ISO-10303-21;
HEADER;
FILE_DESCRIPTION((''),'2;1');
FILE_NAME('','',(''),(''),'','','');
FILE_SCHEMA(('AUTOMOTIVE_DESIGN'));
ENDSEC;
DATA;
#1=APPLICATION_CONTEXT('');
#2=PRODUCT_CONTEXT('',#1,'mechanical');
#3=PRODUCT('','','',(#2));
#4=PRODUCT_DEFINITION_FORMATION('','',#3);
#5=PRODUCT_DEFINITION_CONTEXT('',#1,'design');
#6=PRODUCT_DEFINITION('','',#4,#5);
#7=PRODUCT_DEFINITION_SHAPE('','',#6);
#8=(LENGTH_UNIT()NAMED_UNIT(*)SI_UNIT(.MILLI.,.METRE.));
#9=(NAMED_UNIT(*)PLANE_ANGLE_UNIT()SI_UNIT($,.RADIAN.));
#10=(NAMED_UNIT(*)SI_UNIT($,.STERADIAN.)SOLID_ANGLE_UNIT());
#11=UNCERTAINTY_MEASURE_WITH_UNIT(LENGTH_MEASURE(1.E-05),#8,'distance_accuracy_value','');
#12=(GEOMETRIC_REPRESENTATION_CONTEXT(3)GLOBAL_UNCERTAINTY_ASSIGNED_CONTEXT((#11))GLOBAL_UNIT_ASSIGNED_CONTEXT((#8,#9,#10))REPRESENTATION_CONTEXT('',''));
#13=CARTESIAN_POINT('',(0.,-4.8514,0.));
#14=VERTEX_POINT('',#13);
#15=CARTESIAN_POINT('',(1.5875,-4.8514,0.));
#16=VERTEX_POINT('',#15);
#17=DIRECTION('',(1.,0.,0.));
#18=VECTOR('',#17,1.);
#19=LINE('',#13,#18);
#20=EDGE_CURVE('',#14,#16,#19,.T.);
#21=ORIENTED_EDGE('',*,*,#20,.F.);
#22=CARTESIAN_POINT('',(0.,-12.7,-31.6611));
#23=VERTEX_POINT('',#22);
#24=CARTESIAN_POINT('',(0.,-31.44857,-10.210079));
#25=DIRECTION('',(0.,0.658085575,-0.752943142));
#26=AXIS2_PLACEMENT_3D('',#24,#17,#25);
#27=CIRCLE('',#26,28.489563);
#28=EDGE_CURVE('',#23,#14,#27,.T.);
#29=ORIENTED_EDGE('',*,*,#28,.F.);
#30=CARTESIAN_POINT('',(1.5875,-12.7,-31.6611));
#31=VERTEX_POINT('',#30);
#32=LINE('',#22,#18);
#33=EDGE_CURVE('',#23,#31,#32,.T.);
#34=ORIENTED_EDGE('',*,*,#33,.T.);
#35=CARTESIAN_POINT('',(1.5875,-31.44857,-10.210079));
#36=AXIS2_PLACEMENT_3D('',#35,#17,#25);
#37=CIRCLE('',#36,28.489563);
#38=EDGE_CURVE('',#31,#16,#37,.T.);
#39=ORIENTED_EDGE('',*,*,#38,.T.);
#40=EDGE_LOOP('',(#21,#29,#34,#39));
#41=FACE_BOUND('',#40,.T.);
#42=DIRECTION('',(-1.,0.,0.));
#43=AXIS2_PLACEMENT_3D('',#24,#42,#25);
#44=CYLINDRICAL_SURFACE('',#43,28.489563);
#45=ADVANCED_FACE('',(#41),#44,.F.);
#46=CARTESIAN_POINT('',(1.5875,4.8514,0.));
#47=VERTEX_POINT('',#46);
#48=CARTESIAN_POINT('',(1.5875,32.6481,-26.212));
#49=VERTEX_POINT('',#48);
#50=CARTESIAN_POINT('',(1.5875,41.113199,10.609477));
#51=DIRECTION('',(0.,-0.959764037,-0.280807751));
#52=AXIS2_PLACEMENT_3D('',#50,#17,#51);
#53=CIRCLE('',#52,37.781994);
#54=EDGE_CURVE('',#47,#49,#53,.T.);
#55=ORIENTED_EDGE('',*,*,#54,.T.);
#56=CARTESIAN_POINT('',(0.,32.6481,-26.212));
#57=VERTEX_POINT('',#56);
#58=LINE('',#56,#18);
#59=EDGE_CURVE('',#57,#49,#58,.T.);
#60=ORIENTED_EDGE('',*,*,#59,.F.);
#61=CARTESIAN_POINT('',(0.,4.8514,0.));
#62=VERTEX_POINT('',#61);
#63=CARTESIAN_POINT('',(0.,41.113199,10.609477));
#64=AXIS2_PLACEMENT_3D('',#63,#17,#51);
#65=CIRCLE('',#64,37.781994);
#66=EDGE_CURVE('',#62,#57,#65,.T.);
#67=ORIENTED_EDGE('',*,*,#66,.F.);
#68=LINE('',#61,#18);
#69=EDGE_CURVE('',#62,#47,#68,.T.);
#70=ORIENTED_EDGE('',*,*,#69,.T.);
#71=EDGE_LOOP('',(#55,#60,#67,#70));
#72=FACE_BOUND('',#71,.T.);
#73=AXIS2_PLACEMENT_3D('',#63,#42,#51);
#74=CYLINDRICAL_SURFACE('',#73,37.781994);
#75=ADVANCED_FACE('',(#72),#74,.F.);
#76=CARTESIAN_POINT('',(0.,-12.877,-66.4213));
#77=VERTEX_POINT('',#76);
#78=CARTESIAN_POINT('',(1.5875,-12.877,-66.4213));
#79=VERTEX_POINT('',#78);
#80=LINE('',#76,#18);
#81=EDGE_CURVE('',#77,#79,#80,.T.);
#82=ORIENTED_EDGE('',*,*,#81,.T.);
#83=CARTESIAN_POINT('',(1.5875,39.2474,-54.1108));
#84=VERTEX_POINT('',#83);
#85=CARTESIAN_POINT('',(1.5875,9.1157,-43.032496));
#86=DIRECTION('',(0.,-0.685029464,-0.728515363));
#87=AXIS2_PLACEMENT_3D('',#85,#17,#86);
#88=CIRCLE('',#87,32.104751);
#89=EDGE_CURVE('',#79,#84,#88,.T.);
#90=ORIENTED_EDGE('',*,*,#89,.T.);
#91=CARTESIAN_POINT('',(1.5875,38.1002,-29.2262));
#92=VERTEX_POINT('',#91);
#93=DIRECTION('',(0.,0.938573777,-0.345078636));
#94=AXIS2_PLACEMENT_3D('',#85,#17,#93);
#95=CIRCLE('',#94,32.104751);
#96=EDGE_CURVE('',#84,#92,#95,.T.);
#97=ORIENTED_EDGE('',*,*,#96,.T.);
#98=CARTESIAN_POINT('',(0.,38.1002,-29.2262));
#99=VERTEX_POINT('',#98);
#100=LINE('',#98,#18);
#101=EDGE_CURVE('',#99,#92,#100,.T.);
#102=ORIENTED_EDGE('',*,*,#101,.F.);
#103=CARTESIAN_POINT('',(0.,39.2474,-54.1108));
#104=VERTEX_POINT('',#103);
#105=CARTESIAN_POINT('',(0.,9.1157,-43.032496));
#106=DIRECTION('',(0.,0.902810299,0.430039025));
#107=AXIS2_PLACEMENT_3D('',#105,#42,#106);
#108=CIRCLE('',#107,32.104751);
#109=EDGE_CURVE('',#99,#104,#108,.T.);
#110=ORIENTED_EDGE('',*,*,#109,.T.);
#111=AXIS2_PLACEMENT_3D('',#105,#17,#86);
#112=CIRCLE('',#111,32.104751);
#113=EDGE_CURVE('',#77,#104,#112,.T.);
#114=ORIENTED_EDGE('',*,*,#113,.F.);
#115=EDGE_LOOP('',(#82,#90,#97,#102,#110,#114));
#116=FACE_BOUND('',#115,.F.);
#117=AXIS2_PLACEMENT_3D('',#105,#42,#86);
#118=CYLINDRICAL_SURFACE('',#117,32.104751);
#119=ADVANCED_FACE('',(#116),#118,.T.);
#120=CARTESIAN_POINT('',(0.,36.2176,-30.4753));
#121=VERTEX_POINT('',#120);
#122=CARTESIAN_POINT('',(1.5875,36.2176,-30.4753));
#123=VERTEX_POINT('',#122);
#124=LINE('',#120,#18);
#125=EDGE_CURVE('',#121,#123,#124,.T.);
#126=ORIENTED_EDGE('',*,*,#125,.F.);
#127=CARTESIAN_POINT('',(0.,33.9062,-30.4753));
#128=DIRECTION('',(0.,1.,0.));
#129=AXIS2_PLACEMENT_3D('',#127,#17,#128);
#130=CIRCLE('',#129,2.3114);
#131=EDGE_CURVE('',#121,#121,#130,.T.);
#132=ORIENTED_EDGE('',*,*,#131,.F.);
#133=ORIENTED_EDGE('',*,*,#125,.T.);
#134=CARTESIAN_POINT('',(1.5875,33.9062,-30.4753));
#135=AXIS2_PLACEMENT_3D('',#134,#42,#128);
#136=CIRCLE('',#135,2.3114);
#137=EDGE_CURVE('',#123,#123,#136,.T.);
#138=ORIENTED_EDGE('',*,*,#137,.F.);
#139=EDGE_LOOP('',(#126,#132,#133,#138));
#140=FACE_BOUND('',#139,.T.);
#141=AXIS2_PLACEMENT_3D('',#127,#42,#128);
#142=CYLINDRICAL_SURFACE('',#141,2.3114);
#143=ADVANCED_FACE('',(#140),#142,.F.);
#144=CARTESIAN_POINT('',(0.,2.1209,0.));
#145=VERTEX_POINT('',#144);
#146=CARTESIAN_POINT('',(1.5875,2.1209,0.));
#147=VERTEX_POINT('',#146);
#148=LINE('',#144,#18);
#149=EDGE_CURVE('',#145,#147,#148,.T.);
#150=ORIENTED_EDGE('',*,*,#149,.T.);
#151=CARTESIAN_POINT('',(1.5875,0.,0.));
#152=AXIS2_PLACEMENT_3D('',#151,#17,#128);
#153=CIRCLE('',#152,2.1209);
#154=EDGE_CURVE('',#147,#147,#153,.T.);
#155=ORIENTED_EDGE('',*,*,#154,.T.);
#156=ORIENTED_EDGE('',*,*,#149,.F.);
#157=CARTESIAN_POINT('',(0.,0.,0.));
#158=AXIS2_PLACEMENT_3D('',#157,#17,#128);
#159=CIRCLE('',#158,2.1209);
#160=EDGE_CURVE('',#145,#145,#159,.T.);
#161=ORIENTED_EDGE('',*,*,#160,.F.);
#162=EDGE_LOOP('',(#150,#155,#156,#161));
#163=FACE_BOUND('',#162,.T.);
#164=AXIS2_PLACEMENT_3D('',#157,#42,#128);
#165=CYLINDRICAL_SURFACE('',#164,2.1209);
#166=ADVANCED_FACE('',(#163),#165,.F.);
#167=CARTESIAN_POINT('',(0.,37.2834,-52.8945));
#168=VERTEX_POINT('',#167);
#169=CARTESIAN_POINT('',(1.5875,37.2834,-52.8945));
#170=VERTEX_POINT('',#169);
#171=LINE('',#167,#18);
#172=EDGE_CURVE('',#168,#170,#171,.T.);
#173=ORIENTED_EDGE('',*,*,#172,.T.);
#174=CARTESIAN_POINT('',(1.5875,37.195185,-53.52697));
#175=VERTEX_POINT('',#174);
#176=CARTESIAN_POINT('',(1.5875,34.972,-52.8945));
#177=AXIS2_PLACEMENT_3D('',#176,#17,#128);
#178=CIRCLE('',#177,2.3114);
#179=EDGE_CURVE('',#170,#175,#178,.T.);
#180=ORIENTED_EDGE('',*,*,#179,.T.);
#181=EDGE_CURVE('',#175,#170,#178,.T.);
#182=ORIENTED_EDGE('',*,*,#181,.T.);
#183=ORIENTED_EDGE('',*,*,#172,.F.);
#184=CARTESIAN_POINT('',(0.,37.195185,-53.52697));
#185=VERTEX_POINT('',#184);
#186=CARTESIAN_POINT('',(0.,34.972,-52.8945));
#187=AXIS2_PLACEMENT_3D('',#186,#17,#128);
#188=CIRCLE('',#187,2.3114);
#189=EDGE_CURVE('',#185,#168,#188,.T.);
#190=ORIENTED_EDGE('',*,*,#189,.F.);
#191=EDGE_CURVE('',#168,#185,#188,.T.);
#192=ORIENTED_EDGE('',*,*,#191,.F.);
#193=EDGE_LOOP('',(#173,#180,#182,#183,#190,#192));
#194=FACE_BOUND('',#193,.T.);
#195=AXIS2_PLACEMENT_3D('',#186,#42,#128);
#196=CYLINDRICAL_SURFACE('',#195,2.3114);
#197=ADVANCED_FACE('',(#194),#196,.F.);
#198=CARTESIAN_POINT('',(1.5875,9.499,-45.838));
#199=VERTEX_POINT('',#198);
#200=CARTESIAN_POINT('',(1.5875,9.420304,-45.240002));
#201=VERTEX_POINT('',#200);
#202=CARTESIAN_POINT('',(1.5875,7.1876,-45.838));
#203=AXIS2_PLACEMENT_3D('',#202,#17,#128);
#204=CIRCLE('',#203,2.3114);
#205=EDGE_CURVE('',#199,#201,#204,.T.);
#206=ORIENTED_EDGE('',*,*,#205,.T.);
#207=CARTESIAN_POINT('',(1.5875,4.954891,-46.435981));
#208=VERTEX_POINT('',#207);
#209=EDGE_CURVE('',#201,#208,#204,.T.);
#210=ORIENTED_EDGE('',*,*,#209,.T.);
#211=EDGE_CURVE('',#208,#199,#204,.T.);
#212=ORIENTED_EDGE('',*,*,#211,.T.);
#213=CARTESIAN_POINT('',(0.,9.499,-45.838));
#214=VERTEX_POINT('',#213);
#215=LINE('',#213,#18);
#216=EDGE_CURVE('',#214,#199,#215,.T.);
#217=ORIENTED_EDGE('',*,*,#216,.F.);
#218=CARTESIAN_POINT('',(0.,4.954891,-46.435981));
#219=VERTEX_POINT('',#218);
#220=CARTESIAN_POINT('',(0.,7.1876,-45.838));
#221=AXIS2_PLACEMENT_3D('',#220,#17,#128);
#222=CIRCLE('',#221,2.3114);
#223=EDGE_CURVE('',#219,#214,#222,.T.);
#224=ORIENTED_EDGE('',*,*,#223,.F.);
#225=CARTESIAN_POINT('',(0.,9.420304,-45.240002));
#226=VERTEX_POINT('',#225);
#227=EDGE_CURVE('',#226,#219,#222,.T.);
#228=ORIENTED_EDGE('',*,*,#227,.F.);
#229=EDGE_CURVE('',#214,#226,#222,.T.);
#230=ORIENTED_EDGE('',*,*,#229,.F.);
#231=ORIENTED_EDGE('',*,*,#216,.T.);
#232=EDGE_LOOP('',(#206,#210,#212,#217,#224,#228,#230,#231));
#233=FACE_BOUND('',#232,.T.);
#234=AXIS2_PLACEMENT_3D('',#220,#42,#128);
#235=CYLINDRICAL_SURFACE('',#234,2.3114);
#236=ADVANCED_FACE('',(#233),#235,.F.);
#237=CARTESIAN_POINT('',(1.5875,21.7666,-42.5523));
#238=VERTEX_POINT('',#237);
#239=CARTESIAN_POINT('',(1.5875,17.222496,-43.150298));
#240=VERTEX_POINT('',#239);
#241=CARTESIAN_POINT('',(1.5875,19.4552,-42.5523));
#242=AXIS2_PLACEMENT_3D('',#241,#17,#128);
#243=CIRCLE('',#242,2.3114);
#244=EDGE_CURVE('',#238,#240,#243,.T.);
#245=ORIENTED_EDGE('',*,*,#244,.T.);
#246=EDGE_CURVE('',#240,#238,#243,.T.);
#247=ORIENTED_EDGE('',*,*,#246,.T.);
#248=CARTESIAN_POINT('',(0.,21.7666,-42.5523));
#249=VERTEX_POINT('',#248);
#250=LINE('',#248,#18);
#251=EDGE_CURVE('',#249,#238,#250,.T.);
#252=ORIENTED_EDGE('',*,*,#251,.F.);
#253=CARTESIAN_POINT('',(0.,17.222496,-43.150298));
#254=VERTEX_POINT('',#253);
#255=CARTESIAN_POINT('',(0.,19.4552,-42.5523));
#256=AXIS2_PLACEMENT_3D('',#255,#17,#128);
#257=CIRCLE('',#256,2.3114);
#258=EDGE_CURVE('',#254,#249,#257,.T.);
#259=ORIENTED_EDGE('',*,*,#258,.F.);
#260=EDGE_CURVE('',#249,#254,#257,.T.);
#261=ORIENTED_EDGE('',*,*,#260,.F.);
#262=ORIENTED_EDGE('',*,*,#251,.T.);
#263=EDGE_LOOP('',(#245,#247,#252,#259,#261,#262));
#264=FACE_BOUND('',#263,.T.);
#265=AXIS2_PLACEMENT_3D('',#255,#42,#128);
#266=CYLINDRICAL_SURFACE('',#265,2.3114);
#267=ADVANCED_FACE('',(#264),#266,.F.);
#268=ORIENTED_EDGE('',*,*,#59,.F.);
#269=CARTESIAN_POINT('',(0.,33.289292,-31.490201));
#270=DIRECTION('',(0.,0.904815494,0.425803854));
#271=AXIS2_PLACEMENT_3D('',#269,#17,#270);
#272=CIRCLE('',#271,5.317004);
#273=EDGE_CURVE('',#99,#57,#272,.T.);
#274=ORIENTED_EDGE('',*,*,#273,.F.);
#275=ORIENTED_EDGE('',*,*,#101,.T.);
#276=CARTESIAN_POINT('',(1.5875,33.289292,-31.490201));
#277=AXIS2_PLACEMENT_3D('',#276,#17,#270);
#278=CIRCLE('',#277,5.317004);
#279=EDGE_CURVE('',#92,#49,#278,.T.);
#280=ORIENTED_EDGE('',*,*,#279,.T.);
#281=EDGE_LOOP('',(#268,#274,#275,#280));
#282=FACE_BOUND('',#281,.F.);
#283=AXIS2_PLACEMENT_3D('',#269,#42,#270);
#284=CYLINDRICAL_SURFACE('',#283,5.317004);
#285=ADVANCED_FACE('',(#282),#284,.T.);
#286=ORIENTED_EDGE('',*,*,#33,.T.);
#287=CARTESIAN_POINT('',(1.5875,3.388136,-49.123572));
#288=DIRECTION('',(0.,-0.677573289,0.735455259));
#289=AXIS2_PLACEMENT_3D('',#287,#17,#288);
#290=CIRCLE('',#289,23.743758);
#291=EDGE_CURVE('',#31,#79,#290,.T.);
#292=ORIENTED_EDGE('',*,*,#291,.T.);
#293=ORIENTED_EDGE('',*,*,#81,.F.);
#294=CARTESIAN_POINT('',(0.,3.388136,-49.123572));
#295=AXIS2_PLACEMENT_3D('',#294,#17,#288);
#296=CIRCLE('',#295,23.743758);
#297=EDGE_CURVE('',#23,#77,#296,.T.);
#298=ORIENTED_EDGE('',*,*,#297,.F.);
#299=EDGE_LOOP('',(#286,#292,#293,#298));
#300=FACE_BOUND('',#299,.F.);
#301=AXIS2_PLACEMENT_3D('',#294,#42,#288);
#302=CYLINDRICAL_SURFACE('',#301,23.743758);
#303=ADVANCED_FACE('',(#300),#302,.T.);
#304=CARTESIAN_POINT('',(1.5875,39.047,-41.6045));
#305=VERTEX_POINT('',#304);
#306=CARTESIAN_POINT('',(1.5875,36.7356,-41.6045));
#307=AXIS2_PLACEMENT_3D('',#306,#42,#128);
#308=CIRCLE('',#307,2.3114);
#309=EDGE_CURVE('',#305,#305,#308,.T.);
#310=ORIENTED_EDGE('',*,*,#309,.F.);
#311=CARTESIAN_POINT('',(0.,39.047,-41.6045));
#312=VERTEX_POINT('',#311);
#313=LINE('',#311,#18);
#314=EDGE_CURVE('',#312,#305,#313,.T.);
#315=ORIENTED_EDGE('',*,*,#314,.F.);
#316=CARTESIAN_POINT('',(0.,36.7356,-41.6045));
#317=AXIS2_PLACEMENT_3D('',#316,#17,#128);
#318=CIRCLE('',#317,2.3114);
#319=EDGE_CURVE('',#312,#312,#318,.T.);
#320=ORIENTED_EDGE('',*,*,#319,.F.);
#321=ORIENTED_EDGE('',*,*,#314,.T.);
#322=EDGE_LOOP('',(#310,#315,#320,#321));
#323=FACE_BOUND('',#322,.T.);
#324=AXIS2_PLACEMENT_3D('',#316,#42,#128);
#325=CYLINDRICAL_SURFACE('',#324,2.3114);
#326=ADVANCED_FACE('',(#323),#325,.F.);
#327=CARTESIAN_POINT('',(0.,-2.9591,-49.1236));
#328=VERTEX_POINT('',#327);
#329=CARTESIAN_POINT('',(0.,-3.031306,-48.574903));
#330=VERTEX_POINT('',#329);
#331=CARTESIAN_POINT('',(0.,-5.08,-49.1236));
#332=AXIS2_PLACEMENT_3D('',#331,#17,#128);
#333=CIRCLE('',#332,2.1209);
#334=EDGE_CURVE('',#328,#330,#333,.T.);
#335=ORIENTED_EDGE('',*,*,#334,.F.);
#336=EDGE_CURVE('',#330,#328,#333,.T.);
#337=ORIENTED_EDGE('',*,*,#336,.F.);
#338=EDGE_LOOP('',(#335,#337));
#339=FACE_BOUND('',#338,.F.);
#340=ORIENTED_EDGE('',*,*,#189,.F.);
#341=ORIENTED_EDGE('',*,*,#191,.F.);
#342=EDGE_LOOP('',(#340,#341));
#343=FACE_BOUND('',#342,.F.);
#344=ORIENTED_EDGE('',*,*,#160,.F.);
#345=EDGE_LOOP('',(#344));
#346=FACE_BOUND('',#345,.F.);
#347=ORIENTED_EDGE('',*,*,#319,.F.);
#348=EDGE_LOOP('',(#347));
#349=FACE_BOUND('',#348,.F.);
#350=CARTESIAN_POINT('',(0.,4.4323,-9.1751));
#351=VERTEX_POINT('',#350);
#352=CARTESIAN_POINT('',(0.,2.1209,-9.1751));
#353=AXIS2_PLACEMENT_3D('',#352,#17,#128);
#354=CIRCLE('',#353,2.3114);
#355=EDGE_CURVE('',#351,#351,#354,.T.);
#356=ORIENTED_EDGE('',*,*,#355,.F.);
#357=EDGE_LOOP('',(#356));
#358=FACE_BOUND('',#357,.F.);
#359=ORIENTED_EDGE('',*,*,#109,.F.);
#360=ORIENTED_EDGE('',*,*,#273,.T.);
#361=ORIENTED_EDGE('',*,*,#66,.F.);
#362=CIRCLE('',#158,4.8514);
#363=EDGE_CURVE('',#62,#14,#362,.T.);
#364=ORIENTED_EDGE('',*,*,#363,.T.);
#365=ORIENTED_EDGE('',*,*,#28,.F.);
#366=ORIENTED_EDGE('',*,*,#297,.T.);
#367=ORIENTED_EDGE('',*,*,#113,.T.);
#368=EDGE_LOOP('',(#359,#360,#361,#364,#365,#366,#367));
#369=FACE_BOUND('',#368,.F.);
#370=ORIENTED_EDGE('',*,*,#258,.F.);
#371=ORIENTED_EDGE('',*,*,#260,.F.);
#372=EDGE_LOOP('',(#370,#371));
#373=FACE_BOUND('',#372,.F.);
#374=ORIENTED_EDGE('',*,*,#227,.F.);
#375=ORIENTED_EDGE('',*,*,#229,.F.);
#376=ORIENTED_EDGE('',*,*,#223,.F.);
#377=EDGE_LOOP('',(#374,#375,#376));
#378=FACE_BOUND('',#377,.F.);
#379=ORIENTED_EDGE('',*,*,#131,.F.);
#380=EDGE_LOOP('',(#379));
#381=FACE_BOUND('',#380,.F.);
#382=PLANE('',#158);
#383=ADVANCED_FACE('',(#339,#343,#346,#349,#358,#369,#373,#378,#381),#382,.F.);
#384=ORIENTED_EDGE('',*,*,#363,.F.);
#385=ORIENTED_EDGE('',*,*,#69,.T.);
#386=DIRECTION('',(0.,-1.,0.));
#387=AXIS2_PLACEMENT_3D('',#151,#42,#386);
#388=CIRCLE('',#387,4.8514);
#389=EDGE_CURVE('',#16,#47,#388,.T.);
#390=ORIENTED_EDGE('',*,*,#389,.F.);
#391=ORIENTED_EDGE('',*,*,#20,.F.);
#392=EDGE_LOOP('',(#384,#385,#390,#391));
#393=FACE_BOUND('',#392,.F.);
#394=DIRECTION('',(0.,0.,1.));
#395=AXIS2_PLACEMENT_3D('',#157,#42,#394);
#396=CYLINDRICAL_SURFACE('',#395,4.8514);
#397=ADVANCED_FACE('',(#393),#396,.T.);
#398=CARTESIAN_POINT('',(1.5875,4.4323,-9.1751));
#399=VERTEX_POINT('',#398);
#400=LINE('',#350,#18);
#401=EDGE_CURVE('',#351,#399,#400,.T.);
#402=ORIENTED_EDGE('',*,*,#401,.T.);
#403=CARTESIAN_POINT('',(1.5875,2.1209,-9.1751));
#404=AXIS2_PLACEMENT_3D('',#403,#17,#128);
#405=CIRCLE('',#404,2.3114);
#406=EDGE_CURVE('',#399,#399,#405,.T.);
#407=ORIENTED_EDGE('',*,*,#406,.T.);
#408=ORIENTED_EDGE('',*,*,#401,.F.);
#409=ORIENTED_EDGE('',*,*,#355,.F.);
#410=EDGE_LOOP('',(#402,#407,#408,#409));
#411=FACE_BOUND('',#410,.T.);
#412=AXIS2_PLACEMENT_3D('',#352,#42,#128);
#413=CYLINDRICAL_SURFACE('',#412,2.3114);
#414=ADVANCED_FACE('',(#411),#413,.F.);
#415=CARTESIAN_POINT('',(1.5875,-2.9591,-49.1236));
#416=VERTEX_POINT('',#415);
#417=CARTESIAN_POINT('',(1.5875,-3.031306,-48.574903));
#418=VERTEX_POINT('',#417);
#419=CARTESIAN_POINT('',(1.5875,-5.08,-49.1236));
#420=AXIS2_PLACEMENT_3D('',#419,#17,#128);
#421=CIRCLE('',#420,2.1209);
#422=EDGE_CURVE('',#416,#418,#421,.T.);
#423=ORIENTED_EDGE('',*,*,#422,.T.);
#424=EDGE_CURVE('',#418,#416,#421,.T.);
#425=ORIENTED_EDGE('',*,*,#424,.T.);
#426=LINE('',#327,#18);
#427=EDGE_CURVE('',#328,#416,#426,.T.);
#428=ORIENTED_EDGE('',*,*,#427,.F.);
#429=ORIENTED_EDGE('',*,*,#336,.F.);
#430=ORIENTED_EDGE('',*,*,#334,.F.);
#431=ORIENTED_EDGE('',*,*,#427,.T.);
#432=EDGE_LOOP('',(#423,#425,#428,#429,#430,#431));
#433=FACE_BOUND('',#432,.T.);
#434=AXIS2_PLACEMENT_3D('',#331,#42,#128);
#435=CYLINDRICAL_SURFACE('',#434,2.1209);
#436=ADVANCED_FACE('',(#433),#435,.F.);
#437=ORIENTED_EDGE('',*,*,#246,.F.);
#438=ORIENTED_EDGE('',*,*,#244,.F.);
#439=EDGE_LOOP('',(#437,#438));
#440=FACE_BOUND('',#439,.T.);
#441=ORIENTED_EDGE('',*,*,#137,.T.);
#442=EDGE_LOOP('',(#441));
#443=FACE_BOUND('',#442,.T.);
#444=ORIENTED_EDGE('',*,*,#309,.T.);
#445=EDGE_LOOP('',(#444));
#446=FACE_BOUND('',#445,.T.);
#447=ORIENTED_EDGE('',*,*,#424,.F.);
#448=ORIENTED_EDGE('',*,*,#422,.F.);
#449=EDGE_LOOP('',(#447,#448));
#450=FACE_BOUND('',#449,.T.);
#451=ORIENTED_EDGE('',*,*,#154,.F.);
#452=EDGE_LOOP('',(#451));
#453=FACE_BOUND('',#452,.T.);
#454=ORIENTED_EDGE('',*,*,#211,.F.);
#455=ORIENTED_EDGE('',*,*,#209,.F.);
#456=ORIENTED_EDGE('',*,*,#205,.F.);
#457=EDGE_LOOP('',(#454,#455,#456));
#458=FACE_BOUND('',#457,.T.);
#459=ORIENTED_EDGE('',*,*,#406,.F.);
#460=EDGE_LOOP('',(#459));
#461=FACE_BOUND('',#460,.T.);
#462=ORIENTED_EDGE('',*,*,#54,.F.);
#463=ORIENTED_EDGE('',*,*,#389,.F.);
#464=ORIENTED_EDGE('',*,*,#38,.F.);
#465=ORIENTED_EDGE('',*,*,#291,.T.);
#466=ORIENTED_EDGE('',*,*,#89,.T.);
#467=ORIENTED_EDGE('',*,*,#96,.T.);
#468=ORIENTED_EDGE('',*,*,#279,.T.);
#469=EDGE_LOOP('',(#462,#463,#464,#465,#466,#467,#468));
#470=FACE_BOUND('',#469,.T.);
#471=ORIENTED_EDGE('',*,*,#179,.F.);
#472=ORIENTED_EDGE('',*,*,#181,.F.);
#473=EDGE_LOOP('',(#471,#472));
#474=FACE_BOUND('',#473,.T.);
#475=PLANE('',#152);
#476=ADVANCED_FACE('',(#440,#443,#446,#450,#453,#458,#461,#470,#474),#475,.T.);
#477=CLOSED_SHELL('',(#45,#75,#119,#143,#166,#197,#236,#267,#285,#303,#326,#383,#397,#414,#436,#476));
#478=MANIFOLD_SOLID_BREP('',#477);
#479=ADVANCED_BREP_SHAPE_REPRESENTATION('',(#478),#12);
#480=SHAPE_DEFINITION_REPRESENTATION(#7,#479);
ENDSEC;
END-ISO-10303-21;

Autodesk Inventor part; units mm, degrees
ref_plane "YZ Plane" through (0, 0, 0) normal (1, 0, 0) x (0, 1, 0)
ref_plane "XZ Plane" through (0, 0, 0) normal (0, 1, 0) x (-1, 0, 0)
ref_plane "XY Plane" through (0, 0, 0) normal (0, 0, 1) x (1, 0, 0)
sketch "Sketch4" plane through (0, 0, 0) normal (1, 0, 0) x (0, 1, 0)
  line L0 (-0.177, -66.4213) -> (-12.877, -66.4213)
  line L1 (0, -49.1236) -> (-5.08, -49.1236)
  circle A0 centre (-5.08, -49.1236) radius 2.1209
  line L2 (-5.08, -49.1236) -> (7.1876, -45.838)
  arc A1 (-12.7, -31.6611) -> (-12.877, -66.4213) centre (3.3882, -49.1236) ccw
  circle A2 centre (7.1876, -45.838) radius 2.3114
  arc A3 (-12.877, -66.4213) -> (38.1002, -29.2262) centre (9.1157, -43.0325) ccw
  circle A4 centre (19.4552, -42.5523) radius 2.3114
  line L3 (7.1876, -45.838) -> (19.4552, -42.5523)
  line L4 (38.1695, -29.2174) -> (33.9062, -30.4753)
  circle A5 centre (34.972, -52.8945) radius 2.3114
  circle A6 centre (36.7356, -41.6045) radius 2.3114
  arc A7 (39.2694, -49.6585) -> (39.5231, -48.5235) centre (33.2252, -47.7117) ccw
  line L5 (39.2474, -54.1108) -> (34.972, -52.8945)
  line L6 (41.1789, -41.481) -> (36.7356, -41.6045)
  circle A8 centre (33.9062, -30.4753) radius 2.3114
  arc A9 (38.1002, -29.2262) -> (32.6481, -26.212) centre (33.2894, -31.4901) ccw
  line L7 (33.9062, -30.4753) -> (32.6481, -26.212)
  arc A10 (-12.7, -31.6611) -> (-4.8514, 0) centre (-31.4487, -10.21) ccw
  line L8 (2.3114, 0) -> (4.8514, 0)
  arc A11 (4.8514, 0) -> (0, 4.8514) centre (0, 0) ccw
  arc A12 (0, 4.8514) -> (-4.8514, 0) centre (0, 0) ccw
  arc A13 (4.8514, 0) -> (32.6481, -26.212) centre (41.1134, 10.6096) ccw
  circle A14 centre (0, 0) radius 2.1209
  circle A15 centre (2.1209, -9.1751) radius 2.3114
  point P0 (38.105, -29.2364)
  point P1 (36.1231, -29.8211)
  point P2 (33.2519, -28.2584)
  dimension "d110" = 2.54
  dimension "d111" = 4.8514
  dimension "d112" = 5.08
  dimension "d113" = 12.7
  dimension "d114" = 6.35
  dimension "d115" = 4.445
  dimension "d116" = 4.6228
  dimension "d117" = 4.2418
  dimension "d118" = 4.445
  dimension "d119" = 12.7
  dimension "d120" = 12.7
  dimension "d121" = 4.6228
  dimension "d122" = 4.6228
  dimension "d123" = 4.445
  dimension "d124" = 4.6228
  dimension "d125" = 4.445
  dimension "d126" = 4.6228
  dimension "d127" = 4.2418
  dimension "d128" = 4.6228
extrude "Extrusion4" add sketch "Sketch4" along normal blind 1.5875 contours A10 A12 A11 A13 L7 A8 L4 A3 A1 | L4 A8 L7 A9 A3
properties part number "Odom Pod Poly" material "Polycarbonate, Clear"
